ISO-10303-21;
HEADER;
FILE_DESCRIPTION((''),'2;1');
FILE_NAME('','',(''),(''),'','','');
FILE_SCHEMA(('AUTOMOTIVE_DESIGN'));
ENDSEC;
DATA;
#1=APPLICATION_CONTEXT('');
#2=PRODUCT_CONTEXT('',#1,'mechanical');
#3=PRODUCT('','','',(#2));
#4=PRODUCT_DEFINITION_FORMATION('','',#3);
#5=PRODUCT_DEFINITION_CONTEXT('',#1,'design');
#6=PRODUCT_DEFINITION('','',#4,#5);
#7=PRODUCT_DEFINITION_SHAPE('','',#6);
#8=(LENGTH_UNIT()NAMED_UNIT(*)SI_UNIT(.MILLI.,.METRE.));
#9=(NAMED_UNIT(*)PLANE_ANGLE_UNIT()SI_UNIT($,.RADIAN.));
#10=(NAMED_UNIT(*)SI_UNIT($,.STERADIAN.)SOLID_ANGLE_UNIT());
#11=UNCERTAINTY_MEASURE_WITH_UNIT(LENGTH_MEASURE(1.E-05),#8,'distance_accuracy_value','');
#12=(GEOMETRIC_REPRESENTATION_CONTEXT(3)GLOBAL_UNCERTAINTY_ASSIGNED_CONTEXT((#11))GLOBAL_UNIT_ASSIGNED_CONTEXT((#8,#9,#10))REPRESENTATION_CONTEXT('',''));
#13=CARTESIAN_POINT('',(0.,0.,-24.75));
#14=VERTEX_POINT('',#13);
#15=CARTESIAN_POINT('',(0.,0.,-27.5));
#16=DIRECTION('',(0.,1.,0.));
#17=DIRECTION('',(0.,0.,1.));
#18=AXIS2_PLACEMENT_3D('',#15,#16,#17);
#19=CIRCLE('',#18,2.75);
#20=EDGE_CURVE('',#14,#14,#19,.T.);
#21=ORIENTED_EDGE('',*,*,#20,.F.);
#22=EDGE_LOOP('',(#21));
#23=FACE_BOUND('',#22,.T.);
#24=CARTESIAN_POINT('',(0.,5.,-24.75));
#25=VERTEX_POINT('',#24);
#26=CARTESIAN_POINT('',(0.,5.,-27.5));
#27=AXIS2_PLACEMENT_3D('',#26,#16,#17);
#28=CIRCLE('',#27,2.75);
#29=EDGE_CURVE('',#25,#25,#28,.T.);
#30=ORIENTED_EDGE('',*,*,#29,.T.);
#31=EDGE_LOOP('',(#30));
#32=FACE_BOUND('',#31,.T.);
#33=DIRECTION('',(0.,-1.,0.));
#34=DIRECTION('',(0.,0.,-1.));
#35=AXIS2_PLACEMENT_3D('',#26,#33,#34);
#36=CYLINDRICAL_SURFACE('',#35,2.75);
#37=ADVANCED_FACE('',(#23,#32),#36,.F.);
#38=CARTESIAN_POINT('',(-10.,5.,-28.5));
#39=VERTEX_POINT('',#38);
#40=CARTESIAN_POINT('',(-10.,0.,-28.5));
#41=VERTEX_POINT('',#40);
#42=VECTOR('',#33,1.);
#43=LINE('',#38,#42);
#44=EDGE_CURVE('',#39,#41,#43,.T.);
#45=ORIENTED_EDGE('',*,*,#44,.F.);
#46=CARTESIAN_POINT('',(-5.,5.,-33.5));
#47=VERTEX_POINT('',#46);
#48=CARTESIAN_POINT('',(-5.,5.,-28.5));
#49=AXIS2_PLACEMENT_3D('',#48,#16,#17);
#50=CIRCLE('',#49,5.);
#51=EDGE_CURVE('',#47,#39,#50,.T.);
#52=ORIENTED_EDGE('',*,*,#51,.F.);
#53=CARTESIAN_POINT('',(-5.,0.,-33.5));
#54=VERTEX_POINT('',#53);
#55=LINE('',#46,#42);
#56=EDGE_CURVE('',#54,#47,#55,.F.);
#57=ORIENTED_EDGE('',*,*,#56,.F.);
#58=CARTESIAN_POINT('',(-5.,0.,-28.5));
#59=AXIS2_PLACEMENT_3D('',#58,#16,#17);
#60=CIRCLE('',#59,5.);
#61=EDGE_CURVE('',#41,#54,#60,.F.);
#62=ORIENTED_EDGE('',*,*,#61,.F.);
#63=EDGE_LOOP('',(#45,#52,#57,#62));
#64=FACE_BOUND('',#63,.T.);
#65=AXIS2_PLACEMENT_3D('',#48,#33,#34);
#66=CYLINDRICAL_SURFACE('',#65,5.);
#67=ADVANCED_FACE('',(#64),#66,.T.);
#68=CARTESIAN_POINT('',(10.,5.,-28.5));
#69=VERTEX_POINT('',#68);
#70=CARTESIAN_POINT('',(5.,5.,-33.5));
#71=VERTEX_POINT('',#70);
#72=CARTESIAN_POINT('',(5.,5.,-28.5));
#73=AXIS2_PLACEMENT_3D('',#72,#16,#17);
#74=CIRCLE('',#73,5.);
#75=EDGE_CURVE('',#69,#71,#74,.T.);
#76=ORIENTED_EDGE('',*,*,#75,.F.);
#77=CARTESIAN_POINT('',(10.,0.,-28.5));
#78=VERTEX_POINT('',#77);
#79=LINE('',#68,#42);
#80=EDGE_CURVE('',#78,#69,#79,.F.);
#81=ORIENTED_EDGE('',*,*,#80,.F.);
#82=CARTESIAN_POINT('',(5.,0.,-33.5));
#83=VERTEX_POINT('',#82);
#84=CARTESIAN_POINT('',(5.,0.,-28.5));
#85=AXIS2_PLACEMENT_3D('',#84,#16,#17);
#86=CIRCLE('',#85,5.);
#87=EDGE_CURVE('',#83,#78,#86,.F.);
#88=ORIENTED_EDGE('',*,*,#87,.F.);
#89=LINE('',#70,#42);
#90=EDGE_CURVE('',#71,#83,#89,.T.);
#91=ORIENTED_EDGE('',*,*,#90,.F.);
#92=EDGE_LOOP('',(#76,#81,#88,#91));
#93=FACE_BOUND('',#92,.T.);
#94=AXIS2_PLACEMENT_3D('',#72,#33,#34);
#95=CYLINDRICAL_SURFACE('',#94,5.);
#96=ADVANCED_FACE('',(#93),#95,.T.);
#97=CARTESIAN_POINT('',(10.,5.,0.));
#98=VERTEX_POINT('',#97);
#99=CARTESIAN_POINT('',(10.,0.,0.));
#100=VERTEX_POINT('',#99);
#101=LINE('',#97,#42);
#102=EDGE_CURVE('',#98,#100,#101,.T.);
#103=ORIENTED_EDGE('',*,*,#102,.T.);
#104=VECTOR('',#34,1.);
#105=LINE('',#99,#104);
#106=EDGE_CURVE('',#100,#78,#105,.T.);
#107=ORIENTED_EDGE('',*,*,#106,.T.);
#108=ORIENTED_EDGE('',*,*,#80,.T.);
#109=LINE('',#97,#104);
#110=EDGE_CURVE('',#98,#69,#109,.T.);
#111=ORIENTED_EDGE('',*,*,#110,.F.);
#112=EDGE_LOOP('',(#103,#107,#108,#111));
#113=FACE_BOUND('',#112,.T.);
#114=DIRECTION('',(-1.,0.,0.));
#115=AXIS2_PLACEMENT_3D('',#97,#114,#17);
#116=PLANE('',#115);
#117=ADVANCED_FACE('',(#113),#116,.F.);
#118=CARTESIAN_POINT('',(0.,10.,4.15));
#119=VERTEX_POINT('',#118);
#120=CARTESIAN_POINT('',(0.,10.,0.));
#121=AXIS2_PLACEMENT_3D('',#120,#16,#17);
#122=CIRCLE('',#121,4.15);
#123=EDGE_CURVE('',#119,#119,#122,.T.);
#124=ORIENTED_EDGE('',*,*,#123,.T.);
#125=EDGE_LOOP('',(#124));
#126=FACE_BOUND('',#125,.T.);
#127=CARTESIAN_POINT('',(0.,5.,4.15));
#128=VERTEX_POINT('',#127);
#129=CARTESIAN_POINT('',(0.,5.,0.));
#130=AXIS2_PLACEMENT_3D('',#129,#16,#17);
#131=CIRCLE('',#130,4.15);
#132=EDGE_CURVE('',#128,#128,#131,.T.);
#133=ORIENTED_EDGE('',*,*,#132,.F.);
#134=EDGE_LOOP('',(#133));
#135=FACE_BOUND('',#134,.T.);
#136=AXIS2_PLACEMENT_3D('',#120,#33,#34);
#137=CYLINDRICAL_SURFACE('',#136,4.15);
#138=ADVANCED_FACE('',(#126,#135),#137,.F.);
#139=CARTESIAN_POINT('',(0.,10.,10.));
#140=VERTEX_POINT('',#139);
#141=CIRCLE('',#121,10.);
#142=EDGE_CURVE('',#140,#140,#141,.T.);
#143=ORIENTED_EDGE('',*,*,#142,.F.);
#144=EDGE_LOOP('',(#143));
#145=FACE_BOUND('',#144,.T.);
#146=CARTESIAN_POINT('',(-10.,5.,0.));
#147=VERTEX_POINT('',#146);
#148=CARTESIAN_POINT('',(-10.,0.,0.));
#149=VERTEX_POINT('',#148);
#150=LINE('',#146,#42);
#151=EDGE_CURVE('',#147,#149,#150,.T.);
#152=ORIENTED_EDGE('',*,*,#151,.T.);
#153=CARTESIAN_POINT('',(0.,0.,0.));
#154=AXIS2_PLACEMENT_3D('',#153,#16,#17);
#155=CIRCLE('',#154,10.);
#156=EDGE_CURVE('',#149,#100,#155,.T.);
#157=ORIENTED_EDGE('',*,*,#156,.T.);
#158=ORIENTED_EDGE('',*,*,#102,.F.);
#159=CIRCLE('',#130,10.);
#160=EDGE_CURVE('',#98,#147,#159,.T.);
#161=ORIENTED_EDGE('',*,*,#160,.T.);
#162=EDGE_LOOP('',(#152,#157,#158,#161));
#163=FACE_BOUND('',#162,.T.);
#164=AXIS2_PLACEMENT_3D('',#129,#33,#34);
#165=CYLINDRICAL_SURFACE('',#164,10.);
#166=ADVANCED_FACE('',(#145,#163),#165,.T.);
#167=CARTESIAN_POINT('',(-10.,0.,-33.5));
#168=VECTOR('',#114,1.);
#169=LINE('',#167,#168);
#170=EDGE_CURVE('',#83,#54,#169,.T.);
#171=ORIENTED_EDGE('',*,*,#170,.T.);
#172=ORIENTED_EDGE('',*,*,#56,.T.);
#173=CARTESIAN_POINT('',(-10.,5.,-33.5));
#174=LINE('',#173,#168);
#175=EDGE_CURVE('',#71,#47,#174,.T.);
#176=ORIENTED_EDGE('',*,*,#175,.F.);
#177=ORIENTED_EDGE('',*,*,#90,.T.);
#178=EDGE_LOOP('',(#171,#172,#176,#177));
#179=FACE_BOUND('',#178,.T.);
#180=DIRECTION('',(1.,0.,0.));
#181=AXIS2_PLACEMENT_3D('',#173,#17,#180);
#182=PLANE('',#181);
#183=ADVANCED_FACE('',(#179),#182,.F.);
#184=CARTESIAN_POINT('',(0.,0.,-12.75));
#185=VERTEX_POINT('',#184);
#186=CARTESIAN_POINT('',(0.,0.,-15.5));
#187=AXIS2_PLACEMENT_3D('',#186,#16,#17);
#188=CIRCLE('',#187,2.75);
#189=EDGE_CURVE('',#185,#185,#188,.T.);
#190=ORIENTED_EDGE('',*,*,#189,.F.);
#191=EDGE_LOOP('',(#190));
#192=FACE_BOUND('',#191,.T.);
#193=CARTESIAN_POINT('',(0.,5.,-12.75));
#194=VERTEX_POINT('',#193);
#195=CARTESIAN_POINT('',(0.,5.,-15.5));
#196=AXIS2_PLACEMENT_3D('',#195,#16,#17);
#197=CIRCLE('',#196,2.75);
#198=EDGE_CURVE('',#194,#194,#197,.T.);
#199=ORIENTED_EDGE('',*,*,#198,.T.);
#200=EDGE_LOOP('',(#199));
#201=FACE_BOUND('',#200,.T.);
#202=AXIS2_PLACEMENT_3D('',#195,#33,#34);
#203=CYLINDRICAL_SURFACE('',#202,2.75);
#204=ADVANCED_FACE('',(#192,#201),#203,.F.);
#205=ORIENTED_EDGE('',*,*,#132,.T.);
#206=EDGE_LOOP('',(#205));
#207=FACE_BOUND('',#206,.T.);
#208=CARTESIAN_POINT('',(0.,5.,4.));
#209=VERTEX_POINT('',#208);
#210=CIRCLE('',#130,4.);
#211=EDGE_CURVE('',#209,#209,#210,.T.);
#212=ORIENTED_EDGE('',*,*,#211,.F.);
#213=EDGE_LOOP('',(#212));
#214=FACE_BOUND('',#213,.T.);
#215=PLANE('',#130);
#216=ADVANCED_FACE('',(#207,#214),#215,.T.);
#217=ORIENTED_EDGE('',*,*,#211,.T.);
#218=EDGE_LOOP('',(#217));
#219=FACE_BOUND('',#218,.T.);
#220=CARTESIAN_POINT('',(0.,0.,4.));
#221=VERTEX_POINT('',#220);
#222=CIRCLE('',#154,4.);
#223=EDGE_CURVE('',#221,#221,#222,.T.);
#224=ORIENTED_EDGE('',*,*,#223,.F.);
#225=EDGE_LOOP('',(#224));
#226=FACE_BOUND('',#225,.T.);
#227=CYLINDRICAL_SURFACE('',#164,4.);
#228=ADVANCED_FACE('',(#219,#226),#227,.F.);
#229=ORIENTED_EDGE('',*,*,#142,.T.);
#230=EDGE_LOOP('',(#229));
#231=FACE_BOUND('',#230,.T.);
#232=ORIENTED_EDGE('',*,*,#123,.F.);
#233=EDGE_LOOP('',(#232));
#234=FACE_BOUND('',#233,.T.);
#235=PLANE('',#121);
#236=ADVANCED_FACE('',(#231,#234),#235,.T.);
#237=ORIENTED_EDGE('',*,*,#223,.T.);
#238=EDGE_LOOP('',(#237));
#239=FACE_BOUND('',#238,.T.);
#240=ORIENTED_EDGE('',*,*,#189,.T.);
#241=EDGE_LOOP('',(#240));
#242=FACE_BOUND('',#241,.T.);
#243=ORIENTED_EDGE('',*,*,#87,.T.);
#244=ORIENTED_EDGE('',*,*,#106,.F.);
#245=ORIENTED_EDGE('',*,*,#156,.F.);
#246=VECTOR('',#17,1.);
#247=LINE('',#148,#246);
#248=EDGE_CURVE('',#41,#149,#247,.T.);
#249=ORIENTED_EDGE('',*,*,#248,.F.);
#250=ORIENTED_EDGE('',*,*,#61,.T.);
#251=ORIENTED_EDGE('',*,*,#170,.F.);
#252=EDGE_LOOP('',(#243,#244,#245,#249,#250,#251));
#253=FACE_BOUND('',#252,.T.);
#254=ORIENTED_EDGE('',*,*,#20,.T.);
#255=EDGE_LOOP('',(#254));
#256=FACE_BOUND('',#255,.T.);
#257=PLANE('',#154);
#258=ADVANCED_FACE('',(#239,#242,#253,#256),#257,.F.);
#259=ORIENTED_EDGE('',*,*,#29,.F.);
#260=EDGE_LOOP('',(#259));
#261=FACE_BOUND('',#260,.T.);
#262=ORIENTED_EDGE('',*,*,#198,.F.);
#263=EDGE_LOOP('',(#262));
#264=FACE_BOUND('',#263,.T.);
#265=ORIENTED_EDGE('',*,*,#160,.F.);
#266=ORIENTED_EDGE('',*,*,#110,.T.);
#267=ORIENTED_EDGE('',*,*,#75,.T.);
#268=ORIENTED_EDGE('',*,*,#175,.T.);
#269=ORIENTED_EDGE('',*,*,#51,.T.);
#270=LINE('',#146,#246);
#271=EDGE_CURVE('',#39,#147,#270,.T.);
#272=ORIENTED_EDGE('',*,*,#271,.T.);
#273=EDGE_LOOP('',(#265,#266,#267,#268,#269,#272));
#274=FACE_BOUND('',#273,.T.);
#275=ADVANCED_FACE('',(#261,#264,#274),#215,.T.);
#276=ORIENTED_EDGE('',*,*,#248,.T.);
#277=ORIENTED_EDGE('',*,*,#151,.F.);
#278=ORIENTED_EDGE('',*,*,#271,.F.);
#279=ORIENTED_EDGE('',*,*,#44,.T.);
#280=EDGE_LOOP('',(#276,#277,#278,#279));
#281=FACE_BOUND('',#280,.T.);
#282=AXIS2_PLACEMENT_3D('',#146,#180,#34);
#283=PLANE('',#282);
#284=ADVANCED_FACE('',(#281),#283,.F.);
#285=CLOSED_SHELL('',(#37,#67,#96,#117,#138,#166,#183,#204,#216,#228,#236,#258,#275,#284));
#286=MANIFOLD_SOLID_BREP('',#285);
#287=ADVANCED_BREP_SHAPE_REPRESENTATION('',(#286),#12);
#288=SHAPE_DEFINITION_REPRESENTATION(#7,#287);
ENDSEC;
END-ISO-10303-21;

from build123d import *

# Parameters (mm, degrees)
SKETCH_1_R      = 2.75
SKETCH_1_R_2    = 4
EXTRUDE_1_DEPTH = 5
SKETCH_2_R      = 10
SKETCH_2_R_2    = 4.15
EXTRUDE_2_DEPTH = 5
FILLET_1_R      = 5


with BuildPart() as part:
    # 草图1 → 凸台-拉伸1 (new body)
    with BuildSketch(Plane(origin=(0, 0, 0), x_dir=(1, 0, 0), z_dir=(0, 1, 0))):
        with BuildLine():
            Line((10, 0), (10, 33.5))
            Line((10, 33.5), (-10, 33.5))
            Line((-10, 33.5), (-10, 0))
            ThreePointArc((-10, 0), (0, -10), (10, 0))
        make_face()
        with Locations(Location((0, 27.5, 0), (0, 0, 270))):
            Circle(SKETCH_1_R, mode=Mode.SUBTRACT)
        with Locations(Location((0, 15.5, 0), (0, 0, 270))):
            Circle(SKETCH_1_R, mode=Mode.SUBTRACT)
        with Locations(Location((0, 0, 0), (0, 0, 270))):
            Circle(SKETCH_1_R_2, mode=Mode.SUBTRACT)
    extrude(amount=EXTRUDE_1_DEPTH)

    # 草图2 → 凸台-拉伸2 (add)
    with BuildSketch(Plane(origin=(0, 5, 0), x_dir=(1, 0, 0), z_dir=(0, 1, 0))):
        Circle(SKETCH_2_R)
        with Locations(Location((0, 0, 0), (0, 0, 270))):
            Circle(SKETCH_2_R_2, mode=Mode.SUBTRACT)
    extrude(amount=EXTRUDE_2_DEPTH)

    # 圆角1
    fillet_1_edges = [part.edges().sort_by_distance(p)[0] for p in [
        (-10, 2.5, -33.5),
        (10, 2.5, -33.5),
    ]]
    fillet(fillet_1_edges, radius=FILLET_1_R)


solid = part.part
